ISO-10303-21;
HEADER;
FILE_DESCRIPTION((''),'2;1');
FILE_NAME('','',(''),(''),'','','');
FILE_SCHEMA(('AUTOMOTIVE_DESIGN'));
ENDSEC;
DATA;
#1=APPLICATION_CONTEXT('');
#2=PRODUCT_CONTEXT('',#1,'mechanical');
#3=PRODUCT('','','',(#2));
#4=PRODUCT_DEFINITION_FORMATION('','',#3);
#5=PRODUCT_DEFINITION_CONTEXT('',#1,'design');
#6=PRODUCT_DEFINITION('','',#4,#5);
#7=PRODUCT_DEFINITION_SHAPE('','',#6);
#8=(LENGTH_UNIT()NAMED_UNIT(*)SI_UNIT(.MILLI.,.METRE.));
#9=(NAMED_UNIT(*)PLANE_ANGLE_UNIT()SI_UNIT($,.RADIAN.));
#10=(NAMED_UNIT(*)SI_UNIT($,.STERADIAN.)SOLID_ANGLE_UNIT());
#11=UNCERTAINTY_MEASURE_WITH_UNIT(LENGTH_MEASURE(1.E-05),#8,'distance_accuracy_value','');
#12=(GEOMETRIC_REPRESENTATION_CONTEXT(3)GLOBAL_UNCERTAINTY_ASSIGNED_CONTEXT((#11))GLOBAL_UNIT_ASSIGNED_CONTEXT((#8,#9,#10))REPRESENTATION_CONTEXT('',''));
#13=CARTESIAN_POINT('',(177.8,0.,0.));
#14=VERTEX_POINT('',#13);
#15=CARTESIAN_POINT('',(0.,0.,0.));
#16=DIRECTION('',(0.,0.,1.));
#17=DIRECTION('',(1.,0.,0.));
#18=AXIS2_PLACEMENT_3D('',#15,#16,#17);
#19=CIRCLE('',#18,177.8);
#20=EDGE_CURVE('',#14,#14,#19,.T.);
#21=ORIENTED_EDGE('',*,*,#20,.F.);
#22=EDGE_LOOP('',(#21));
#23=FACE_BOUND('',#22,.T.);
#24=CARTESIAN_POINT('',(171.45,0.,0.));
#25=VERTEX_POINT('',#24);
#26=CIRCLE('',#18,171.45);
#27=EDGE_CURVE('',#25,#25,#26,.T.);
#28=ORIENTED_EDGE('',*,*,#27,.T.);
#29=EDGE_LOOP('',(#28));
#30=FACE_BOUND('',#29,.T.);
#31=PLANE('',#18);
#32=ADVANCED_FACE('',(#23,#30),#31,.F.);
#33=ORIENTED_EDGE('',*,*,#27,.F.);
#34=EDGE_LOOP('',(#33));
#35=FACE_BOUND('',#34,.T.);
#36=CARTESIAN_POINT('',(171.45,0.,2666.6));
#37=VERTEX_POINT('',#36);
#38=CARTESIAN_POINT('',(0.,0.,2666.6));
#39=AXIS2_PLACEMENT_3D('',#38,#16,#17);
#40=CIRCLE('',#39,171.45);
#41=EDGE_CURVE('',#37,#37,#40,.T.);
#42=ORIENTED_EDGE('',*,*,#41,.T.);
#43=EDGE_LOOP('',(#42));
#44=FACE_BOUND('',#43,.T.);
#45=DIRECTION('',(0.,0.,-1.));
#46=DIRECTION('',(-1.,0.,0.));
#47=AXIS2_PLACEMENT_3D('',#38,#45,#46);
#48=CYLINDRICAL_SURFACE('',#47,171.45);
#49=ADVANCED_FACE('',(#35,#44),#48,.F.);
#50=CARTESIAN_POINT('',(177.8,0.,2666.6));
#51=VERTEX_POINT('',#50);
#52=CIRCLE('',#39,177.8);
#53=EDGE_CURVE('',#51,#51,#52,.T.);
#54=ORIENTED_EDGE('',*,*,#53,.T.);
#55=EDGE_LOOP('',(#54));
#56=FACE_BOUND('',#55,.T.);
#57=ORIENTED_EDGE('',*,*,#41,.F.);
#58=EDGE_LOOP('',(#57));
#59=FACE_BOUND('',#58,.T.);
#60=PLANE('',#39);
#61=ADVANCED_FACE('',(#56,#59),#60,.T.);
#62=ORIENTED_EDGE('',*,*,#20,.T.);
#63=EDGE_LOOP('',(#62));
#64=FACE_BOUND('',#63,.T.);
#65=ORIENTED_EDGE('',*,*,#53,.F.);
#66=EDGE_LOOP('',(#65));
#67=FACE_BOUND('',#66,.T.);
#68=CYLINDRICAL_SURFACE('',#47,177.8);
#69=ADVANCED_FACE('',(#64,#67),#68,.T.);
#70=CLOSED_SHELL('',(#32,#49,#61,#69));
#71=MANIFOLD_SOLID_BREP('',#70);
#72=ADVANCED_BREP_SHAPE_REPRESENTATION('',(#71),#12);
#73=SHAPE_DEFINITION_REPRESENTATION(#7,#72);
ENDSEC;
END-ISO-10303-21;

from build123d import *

# Parameters (mm, degrees)
PIPESKETCH_R    = 177.8
PIPESKETCH_R_2  = 171.45
EXTRUSION_DEPTH = 2666.6


with BuildPart() as part:
    # PipeSketch → Extrusion (new body)
    with BuildSketch(Plane.XY):
        Circle(PIPESKETCH_R)
        Circle(PIPESKETCH_R_2, mode=Mode.SUBTRACT)
    extrude(amount=EXTRUSION_DEPTH)


solid = part.part
